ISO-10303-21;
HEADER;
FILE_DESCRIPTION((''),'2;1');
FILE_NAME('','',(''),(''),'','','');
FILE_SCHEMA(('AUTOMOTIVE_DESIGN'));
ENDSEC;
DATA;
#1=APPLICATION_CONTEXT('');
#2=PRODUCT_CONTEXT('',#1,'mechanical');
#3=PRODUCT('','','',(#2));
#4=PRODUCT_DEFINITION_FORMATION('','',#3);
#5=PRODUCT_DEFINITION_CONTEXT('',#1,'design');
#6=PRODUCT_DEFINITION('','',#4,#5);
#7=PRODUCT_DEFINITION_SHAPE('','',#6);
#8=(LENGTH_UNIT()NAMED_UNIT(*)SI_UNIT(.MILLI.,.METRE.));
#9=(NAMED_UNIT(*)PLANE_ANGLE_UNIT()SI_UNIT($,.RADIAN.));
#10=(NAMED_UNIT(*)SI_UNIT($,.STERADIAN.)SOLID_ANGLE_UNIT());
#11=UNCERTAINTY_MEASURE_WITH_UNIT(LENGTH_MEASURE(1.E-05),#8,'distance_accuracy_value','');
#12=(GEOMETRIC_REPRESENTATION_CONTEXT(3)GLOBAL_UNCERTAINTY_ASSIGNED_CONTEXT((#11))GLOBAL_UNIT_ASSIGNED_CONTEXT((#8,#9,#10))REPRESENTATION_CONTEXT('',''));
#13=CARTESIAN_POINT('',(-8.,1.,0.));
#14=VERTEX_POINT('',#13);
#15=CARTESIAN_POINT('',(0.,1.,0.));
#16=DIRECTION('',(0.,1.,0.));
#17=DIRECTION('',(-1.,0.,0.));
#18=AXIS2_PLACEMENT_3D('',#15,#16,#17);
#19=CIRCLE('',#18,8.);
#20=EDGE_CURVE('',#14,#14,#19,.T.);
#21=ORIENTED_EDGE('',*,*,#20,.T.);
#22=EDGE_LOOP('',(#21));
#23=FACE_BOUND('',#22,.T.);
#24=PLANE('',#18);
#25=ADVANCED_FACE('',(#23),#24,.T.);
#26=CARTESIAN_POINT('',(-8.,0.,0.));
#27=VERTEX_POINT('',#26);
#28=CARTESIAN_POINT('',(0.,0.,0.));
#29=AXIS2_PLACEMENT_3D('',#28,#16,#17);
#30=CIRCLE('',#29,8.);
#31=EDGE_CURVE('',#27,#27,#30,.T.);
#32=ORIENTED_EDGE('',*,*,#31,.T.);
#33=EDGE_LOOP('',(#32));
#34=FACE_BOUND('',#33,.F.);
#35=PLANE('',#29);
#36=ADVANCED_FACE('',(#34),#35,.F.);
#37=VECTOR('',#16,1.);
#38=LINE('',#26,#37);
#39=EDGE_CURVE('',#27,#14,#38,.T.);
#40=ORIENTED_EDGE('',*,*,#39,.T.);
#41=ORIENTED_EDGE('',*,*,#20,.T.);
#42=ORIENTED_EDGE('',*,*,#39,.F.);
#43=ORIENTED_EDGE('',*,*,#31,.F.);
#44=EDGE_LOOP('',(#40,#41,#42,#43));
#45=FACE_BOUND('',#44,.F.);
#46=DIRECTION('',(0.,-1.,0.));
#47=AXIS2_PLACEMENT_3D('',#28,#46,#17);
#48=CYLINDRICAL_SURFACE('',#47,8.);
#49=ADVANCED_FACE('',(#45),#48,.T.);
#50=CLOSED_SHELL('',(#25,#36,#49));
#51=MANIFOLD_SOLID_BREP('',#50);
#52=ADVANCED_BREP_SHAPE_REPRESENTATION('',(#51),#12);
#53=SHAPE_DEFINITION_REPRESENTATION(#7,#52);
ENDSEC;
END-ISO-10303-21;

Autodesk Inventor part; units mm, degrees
ref_plane "YZ Plane" through (0, 0, 0) normal (1, 0, 0) x (0, 1, 0)
ref_plane "XZ Plane" through (0, 0, 0) normal (0, 1, 0) x (-1, 0, 0)
ref_plane "XY Plane" through (0, 0, 0) normal (0, 0, 1) x (1, 0, 0)
sketch "Sketch1" plane through (0, 0, 0) normal (0, 1, 0) x (-1, 0, 0)
  circle A0 centre (0, 0) radius 8
  dimension "d0" = 16
extrude "Extrusion1" add sketch "Sketch1" along normal blind 1
properties part number "00_COMAR_521_IY_16"
